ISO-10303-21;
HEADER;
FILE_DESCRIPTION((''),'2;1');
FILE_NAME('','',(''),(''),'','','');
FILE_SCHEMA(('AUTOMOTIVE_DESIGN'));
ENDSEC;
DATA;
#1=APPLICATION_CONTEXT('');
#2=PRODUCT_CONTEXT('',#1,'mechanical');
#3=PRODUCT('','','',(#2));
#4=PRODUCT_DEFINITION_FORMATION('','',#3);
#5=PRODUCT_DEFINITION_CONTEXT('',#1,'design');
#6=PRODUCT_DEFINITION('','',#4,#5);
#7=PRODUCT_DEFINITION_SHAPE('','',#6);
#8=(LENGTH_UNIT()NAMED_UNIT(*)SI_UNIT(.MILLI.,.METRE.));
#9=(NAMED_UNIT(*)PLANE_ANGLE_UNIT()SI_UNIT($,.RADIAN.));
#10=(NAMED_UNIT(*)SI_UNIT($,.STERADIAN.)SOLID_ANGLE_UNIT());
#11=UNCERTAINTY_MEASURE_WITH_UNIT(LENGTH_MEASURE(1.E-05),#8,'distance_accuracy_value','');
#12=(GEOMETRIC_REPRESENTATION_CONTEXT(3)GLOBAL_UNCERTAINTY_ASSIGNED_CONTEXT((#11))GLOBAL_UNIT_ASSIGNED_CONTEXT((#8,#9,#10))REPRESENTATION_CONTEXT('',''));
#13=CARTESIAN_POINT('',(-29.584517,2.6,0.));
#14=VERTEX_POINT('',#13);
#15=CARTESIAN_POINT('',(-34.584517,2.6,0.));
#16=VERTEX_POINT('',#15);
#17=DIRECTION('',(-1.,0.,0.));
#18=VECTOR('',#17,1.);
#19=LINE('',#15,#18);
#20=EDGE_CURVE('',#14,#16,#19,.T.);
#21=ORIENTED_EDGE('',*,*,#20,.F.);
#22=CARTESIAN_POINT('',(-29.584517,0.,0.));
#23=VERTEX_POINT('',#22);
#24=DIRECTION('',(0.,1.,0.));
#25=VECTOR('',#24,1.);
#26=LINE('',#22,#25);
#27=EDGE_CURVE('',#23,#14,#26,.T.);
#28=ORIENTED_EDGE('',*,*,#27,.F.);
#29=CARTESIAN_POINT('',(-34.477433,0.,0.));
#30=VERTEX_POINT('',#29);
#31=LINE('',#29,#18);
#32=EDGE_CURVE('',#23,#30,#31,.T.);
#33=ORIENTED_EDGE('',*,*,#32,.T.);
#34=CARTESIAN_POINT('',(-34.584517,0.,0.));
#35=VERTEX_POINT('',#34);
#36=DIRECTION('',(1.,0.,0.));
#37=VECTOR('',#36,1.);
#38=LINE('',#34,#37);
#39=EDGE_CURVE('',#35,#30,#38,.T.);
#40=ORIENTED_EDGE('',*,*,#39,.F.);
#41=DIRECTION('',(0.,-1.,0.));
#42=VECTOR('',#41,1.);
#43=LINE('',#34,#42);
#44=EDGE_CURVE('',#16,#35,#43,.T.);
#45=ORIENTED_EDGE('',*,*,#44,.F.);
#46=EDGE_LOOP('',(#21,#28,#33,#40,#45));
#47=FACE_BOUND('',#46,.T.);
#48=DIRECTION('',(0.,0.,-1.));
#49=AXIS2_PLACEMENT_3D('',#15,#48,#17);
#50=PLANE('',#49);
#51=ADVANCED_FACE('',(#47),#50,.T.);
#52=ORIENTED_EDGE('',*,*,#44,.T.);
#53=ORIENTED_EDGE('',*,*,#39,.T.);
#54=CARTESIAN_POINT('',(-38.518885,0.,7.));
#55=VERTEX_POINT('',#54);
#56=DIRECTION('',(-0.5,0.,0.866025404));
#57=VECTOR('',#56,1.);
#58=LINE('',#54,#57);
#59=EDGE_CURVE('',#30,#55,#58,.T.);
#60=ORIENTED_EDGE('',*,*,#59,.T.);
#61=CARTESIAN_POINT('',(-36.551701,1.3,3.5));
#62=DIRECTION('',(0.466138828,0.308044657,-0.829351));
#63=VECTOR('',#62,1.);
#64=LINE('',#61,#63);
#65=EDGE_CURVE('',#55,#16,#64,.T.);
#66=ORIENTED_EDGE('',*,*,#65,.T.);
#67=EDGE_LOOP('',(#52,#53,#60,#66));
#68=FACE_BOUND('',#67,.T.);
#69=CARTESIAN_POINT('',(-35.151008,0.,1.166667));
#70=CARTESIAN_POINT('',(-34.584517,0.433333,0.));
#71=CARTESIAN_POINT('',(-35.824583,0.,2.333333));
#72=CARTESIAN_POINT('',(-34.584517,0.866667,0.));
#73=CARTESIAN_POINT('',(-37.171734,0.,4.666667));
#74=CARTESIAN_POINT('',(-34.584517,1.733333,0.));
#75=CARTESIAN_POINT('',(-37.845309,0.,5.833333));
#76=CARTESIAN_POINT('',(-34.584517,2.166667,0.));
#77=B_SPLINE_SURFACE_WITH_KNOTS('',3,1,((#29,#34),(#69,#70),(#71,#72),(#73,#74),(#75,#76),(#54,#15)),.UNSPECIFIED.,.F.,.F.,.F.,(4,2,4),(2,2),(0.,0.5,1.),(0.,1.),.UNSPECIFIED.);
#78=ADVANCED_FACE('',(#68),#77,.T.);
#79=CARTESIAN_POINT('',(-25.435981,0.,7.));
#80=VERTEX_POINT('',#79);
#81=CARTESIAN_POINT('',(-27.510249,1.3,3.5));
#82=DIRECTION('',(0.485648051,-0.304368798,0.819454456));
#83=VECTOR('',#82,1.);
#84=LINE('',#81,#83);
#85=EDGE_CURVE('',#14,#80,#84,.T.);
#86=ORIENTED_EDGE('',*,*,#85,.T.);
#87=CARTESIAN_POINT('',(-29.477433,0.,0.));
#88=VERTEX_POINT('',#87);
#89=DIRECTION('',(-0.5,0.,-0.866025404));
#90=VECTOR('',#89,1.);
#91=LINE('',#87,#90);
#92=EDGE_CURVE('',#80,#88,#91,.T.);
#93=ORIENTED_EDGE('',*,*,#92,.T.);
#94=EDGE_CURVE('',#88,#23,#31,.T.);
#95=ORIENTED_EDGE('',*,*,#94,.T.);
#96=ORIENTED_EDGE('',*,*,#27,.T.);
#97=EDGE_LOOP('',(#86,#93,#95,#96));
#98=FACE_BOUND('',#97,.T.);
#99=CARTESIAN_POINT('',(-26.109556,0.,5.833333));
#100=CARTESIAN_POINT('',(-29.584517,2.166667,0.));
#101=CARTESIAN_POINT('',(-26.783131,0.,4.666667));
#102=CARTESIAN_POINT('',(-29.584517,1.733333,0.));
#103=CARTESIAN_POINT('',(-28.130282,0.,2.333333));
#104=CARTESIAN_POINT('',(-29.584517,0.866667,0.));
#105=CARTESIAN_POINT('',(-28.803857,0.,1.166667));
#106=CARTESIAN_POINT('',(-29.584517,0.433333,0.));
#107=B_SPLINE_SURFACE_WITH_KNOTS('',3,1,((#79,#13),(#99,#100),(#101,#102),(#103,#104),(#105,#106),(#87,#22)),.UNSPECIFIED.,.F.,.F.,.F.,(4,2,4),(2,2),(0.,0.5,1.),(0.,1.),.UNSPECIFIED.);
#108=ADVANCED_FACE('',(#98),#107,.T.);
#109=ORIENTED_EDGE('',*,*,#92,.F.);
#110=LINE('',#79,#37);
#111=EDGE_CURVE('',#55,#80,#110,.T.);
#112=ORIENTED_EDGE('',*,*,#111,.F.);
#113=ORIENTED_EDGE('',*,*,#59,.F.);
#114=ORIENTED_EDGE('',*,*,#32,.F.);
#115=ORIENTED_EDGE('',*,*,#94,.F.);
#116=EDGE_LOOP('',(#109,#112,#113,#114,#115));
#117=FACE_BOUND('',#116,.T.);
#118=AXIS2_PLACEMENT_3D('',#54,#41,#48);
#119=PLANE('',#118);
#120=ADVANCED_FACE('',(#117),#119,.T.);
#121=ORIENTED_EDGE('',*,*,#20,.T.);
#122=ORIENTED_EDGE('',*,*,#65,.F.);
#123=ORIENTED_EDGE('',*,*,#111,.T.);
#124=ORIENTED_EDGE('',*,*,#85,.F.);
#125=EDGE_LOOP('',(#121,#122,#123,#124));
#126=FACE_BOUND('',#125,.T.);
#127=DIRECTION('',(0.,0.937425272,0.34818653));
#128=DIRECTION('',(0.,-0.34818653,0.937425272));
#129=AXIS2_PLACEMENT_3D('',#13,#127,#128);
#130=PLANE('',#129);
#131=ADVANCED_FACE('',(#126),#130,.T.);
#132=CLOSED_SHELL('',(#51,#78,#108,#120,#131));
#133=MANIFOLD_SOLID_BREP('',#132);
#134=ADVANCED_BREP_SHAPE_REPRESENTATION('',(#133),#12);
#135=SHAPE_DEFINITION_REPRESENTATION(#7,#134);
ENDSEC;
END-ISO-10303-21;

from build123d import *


with BuildPart() as part:
    # Esquisse1 → Lissage2 section 0
    with BuildSketch(Plane(origin=(0, 0, 0), x_dir=(1, 0, 0), z_dir=(0, 1, 0))):
        with BuildLine():
            Line((-38.518884599, -7), (-34.477432715, 0))
            Line((-34.477432715, 0), (-29.477432715, 0))
            Line((-29.477432715, 0), (-25.43598083, -7))
            Line((-25.43598083, -7), (-38.518884599, -7))
        make_face()
    # Esquisse2 → Lissage2 section 1
    with BuildSketch(Plane.XY):
        with BuildLine():
            Line((-34.584516886, 0), (-29.584516886, 0))
            Line((-29.584516886, 0), (-29.584516886, 2.6))
            Line((-29.584516886, 2.6), (-34.584516886, 2.6))
            Line((-34.584516886, 2.6), (-34.584516886, 0))
        make_face()
    loft()


solid = part.part
